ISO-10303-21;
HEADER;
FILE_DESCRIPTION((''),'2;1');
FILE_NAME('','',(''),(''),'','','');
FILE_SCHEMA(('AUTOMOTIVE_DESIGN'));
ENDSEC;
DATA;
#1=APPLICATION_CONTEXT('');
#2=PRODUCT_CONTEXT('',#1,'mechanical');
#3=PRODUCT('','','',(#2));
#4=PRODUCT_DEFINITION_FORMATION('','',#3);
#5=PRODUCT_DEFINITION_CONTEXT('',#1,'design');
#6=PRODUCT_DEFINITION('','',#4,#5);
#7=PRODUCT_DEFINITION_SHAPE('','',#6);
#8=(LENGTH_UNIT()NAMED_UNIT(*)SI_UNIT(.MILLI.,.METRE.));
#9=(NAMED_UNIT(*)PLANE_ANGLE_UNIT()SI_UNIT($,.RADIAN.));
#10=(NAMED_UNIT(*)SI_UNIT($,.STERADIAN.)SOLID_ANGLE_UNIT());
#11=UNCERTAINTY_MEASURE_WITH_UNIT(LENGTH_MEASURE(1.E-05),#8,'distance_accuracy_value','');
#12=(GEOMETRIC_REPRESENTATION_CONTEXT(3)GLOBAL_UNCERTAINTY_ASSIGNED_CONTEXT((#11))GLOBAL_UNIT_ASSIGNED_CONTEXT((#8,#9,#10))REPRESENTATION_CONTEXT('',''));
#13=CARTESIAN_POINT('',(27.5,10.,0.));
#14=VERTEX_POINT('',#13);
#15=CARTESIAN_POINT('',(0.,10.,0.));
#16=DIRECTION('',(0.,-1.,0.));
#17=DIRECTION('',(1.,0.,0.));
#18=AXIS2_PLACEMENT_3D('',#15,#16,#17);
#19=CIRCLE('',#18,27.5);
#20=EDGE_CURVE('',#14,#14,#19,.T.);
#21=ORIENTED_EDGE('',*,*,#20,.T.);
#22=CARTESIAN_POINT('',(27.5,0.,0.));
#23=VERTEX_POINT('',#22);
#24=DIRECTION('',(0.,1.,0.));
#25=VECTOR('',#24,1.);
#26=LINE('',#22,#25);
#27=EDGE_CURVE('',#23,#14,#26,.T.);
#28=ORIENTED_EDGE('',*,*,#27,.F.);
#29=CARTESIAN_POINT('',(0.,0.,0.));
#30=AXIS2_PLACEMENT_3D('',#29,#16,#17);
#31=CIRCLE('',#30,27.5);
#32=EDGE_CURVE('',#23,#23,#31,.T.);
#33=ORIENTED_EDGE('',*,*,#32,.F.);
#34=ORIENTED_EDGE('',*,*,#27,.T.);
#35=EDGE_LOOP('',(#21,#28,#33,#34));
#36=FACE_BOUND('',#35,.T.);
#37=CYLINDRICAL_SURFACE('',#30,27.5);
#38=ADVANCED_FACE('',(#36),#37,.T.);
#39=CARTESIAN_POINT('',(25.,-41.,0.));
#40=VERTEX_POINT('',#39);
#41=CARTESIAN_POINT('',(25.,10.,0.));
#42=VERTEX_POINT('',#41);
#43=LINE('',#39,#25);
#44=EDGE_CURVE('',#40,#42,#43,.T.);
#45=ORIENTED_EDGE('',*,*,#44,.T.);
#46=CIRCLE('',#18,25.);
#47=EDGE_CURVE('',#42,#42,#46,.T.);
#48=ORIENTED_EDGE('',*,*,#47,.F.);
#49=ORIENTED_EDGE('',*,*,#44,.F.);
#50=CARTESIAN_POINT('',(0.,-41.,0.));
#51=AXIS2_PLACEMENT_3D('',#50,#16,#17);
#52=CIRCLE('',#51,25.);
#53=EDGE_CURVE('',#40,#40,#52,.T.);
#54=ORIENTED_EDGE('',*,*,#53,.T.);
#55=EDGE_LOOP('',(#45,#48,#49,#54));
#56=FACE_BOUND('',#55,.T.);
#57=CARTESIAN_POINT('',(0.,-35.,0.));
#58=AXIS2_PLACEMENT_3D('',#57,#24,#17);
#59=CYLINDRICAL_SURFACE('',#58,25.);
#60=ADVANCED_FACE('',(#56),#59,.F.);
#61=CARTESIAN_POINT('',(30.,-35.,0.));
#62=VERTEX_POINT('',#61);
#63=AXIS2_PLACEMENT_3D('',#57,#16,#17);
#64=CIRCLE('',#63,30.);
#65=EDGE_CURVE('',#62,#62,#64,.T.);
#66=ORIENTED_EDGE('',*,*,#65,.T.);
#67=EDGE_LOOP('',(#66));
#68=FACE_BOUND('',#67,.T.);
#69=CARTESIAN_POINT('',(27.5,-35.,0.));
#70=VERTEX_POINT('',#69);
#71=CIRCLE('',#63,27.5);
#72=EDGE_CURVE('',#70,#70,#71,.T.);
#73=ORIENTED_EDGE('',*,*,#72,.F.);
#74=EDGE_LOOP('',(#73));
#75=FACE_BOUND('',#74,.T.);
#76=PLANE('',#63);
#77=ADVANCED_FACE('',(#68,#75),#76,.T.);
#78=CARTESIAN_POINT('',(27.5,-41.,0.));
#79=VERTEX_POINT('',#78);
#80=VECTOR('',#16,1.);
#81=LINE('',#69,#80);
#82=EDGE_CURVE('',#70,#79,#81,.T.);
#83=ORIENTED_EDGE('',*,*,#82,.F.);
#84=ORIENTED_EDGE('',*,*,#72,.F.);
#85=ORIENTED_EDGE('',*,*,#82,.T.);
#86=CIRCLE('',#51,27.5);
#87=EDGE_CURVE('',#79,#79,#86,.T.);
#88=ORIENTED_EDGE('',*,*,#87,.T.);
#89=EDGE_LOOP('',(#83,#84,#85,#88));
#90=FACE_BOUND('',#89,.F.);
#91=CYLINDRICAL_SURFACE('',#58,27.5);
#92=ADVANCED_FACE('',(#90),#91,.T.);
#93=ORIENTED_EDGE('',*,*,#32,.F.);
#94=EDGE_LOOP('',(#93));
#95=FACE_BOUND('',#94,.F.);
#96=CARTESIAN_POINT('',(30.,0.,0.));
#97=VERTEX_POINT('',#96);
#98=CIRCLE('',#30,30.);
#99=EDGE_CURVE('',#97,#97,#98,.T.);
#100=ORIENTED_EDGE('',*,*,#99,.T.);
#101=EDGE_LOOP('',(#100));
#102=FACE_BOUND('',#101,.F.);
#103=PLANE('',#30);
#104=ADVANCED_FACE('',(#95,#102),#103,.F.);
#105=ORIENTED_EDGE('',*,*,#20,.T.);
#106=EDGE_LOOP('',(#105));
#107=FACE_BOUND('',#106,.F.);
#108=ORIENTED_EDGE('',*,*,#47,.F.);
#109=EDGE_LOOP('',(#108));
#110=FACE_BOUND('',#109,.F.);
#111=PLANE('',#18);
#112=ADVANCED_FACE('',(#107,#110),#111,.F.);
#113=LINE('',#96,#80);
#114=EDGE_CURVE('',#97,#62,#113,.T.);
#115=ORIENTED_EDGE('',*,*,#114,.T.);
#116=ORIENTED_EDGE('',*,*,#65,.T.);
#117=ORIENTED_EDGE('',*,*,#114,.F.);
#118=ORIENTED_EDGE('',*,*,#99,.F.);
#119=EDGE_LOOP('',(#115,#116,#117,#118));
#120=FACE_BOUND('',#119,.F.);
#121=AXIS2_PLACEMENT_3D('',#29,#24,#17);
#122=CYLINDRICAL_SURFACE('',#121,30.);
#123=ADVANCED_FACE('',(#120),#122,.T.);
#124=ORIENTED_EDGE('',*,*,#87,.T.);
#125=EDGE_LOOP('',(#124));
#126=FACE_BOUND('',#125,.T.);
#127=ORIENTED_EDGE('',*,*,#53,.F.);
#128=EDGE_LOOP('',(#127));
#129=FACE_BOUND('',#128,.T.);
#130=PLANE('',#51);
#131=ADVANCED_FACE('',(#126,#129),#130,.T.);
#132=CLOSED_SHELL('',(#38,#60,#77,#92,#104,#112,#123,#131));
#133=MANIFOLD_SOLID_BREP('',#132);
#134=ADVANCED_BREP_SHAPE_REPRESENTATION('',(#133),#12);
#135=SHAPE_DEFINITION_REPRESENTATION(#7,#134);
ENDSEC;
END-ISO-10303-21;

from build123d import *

# Parameters (mm, degrees)
F0_R     = 30
F0_R_2   = 27.5
F0_R_3   = 25
F1_DEPTH = 35
F2_DEPTH = 10
F3_R     = 27.5
F3_R_2   = 25
F4_DEPTH = 6


with BuildPart() as f1:
    # F0 (on Front) → F1 (new body)
    with BuildSketch(Plane.XZ):
        Circle(F0_R)
        Circle(F0_R_2, mode=Mode.SUBTRACT)
        Circle(F0_R_2)
        Circle(F0_R_3, mode=Mode.SUBTRACT)
    extrude(amount=F1_DEPTH)

    # F0 (on Front) → F2 (join)
    with BuildSketch(Plane.XZ):
        Circle(F0_R_2)
        Circle(F0_R_3, mode=Mode.SUBTRACT)
    extrude(amount=-F2_DEPTH)

    # F3 (on face) → F4 (join)
    with BuildSketch(Plane.XZ.offset(35)):
        Circle(F3_R)
        Circle(F3_R_2, mode=Mode.SUBTRACT)
    extrude(amount=F4_DEPTH)


solid = f1.part
